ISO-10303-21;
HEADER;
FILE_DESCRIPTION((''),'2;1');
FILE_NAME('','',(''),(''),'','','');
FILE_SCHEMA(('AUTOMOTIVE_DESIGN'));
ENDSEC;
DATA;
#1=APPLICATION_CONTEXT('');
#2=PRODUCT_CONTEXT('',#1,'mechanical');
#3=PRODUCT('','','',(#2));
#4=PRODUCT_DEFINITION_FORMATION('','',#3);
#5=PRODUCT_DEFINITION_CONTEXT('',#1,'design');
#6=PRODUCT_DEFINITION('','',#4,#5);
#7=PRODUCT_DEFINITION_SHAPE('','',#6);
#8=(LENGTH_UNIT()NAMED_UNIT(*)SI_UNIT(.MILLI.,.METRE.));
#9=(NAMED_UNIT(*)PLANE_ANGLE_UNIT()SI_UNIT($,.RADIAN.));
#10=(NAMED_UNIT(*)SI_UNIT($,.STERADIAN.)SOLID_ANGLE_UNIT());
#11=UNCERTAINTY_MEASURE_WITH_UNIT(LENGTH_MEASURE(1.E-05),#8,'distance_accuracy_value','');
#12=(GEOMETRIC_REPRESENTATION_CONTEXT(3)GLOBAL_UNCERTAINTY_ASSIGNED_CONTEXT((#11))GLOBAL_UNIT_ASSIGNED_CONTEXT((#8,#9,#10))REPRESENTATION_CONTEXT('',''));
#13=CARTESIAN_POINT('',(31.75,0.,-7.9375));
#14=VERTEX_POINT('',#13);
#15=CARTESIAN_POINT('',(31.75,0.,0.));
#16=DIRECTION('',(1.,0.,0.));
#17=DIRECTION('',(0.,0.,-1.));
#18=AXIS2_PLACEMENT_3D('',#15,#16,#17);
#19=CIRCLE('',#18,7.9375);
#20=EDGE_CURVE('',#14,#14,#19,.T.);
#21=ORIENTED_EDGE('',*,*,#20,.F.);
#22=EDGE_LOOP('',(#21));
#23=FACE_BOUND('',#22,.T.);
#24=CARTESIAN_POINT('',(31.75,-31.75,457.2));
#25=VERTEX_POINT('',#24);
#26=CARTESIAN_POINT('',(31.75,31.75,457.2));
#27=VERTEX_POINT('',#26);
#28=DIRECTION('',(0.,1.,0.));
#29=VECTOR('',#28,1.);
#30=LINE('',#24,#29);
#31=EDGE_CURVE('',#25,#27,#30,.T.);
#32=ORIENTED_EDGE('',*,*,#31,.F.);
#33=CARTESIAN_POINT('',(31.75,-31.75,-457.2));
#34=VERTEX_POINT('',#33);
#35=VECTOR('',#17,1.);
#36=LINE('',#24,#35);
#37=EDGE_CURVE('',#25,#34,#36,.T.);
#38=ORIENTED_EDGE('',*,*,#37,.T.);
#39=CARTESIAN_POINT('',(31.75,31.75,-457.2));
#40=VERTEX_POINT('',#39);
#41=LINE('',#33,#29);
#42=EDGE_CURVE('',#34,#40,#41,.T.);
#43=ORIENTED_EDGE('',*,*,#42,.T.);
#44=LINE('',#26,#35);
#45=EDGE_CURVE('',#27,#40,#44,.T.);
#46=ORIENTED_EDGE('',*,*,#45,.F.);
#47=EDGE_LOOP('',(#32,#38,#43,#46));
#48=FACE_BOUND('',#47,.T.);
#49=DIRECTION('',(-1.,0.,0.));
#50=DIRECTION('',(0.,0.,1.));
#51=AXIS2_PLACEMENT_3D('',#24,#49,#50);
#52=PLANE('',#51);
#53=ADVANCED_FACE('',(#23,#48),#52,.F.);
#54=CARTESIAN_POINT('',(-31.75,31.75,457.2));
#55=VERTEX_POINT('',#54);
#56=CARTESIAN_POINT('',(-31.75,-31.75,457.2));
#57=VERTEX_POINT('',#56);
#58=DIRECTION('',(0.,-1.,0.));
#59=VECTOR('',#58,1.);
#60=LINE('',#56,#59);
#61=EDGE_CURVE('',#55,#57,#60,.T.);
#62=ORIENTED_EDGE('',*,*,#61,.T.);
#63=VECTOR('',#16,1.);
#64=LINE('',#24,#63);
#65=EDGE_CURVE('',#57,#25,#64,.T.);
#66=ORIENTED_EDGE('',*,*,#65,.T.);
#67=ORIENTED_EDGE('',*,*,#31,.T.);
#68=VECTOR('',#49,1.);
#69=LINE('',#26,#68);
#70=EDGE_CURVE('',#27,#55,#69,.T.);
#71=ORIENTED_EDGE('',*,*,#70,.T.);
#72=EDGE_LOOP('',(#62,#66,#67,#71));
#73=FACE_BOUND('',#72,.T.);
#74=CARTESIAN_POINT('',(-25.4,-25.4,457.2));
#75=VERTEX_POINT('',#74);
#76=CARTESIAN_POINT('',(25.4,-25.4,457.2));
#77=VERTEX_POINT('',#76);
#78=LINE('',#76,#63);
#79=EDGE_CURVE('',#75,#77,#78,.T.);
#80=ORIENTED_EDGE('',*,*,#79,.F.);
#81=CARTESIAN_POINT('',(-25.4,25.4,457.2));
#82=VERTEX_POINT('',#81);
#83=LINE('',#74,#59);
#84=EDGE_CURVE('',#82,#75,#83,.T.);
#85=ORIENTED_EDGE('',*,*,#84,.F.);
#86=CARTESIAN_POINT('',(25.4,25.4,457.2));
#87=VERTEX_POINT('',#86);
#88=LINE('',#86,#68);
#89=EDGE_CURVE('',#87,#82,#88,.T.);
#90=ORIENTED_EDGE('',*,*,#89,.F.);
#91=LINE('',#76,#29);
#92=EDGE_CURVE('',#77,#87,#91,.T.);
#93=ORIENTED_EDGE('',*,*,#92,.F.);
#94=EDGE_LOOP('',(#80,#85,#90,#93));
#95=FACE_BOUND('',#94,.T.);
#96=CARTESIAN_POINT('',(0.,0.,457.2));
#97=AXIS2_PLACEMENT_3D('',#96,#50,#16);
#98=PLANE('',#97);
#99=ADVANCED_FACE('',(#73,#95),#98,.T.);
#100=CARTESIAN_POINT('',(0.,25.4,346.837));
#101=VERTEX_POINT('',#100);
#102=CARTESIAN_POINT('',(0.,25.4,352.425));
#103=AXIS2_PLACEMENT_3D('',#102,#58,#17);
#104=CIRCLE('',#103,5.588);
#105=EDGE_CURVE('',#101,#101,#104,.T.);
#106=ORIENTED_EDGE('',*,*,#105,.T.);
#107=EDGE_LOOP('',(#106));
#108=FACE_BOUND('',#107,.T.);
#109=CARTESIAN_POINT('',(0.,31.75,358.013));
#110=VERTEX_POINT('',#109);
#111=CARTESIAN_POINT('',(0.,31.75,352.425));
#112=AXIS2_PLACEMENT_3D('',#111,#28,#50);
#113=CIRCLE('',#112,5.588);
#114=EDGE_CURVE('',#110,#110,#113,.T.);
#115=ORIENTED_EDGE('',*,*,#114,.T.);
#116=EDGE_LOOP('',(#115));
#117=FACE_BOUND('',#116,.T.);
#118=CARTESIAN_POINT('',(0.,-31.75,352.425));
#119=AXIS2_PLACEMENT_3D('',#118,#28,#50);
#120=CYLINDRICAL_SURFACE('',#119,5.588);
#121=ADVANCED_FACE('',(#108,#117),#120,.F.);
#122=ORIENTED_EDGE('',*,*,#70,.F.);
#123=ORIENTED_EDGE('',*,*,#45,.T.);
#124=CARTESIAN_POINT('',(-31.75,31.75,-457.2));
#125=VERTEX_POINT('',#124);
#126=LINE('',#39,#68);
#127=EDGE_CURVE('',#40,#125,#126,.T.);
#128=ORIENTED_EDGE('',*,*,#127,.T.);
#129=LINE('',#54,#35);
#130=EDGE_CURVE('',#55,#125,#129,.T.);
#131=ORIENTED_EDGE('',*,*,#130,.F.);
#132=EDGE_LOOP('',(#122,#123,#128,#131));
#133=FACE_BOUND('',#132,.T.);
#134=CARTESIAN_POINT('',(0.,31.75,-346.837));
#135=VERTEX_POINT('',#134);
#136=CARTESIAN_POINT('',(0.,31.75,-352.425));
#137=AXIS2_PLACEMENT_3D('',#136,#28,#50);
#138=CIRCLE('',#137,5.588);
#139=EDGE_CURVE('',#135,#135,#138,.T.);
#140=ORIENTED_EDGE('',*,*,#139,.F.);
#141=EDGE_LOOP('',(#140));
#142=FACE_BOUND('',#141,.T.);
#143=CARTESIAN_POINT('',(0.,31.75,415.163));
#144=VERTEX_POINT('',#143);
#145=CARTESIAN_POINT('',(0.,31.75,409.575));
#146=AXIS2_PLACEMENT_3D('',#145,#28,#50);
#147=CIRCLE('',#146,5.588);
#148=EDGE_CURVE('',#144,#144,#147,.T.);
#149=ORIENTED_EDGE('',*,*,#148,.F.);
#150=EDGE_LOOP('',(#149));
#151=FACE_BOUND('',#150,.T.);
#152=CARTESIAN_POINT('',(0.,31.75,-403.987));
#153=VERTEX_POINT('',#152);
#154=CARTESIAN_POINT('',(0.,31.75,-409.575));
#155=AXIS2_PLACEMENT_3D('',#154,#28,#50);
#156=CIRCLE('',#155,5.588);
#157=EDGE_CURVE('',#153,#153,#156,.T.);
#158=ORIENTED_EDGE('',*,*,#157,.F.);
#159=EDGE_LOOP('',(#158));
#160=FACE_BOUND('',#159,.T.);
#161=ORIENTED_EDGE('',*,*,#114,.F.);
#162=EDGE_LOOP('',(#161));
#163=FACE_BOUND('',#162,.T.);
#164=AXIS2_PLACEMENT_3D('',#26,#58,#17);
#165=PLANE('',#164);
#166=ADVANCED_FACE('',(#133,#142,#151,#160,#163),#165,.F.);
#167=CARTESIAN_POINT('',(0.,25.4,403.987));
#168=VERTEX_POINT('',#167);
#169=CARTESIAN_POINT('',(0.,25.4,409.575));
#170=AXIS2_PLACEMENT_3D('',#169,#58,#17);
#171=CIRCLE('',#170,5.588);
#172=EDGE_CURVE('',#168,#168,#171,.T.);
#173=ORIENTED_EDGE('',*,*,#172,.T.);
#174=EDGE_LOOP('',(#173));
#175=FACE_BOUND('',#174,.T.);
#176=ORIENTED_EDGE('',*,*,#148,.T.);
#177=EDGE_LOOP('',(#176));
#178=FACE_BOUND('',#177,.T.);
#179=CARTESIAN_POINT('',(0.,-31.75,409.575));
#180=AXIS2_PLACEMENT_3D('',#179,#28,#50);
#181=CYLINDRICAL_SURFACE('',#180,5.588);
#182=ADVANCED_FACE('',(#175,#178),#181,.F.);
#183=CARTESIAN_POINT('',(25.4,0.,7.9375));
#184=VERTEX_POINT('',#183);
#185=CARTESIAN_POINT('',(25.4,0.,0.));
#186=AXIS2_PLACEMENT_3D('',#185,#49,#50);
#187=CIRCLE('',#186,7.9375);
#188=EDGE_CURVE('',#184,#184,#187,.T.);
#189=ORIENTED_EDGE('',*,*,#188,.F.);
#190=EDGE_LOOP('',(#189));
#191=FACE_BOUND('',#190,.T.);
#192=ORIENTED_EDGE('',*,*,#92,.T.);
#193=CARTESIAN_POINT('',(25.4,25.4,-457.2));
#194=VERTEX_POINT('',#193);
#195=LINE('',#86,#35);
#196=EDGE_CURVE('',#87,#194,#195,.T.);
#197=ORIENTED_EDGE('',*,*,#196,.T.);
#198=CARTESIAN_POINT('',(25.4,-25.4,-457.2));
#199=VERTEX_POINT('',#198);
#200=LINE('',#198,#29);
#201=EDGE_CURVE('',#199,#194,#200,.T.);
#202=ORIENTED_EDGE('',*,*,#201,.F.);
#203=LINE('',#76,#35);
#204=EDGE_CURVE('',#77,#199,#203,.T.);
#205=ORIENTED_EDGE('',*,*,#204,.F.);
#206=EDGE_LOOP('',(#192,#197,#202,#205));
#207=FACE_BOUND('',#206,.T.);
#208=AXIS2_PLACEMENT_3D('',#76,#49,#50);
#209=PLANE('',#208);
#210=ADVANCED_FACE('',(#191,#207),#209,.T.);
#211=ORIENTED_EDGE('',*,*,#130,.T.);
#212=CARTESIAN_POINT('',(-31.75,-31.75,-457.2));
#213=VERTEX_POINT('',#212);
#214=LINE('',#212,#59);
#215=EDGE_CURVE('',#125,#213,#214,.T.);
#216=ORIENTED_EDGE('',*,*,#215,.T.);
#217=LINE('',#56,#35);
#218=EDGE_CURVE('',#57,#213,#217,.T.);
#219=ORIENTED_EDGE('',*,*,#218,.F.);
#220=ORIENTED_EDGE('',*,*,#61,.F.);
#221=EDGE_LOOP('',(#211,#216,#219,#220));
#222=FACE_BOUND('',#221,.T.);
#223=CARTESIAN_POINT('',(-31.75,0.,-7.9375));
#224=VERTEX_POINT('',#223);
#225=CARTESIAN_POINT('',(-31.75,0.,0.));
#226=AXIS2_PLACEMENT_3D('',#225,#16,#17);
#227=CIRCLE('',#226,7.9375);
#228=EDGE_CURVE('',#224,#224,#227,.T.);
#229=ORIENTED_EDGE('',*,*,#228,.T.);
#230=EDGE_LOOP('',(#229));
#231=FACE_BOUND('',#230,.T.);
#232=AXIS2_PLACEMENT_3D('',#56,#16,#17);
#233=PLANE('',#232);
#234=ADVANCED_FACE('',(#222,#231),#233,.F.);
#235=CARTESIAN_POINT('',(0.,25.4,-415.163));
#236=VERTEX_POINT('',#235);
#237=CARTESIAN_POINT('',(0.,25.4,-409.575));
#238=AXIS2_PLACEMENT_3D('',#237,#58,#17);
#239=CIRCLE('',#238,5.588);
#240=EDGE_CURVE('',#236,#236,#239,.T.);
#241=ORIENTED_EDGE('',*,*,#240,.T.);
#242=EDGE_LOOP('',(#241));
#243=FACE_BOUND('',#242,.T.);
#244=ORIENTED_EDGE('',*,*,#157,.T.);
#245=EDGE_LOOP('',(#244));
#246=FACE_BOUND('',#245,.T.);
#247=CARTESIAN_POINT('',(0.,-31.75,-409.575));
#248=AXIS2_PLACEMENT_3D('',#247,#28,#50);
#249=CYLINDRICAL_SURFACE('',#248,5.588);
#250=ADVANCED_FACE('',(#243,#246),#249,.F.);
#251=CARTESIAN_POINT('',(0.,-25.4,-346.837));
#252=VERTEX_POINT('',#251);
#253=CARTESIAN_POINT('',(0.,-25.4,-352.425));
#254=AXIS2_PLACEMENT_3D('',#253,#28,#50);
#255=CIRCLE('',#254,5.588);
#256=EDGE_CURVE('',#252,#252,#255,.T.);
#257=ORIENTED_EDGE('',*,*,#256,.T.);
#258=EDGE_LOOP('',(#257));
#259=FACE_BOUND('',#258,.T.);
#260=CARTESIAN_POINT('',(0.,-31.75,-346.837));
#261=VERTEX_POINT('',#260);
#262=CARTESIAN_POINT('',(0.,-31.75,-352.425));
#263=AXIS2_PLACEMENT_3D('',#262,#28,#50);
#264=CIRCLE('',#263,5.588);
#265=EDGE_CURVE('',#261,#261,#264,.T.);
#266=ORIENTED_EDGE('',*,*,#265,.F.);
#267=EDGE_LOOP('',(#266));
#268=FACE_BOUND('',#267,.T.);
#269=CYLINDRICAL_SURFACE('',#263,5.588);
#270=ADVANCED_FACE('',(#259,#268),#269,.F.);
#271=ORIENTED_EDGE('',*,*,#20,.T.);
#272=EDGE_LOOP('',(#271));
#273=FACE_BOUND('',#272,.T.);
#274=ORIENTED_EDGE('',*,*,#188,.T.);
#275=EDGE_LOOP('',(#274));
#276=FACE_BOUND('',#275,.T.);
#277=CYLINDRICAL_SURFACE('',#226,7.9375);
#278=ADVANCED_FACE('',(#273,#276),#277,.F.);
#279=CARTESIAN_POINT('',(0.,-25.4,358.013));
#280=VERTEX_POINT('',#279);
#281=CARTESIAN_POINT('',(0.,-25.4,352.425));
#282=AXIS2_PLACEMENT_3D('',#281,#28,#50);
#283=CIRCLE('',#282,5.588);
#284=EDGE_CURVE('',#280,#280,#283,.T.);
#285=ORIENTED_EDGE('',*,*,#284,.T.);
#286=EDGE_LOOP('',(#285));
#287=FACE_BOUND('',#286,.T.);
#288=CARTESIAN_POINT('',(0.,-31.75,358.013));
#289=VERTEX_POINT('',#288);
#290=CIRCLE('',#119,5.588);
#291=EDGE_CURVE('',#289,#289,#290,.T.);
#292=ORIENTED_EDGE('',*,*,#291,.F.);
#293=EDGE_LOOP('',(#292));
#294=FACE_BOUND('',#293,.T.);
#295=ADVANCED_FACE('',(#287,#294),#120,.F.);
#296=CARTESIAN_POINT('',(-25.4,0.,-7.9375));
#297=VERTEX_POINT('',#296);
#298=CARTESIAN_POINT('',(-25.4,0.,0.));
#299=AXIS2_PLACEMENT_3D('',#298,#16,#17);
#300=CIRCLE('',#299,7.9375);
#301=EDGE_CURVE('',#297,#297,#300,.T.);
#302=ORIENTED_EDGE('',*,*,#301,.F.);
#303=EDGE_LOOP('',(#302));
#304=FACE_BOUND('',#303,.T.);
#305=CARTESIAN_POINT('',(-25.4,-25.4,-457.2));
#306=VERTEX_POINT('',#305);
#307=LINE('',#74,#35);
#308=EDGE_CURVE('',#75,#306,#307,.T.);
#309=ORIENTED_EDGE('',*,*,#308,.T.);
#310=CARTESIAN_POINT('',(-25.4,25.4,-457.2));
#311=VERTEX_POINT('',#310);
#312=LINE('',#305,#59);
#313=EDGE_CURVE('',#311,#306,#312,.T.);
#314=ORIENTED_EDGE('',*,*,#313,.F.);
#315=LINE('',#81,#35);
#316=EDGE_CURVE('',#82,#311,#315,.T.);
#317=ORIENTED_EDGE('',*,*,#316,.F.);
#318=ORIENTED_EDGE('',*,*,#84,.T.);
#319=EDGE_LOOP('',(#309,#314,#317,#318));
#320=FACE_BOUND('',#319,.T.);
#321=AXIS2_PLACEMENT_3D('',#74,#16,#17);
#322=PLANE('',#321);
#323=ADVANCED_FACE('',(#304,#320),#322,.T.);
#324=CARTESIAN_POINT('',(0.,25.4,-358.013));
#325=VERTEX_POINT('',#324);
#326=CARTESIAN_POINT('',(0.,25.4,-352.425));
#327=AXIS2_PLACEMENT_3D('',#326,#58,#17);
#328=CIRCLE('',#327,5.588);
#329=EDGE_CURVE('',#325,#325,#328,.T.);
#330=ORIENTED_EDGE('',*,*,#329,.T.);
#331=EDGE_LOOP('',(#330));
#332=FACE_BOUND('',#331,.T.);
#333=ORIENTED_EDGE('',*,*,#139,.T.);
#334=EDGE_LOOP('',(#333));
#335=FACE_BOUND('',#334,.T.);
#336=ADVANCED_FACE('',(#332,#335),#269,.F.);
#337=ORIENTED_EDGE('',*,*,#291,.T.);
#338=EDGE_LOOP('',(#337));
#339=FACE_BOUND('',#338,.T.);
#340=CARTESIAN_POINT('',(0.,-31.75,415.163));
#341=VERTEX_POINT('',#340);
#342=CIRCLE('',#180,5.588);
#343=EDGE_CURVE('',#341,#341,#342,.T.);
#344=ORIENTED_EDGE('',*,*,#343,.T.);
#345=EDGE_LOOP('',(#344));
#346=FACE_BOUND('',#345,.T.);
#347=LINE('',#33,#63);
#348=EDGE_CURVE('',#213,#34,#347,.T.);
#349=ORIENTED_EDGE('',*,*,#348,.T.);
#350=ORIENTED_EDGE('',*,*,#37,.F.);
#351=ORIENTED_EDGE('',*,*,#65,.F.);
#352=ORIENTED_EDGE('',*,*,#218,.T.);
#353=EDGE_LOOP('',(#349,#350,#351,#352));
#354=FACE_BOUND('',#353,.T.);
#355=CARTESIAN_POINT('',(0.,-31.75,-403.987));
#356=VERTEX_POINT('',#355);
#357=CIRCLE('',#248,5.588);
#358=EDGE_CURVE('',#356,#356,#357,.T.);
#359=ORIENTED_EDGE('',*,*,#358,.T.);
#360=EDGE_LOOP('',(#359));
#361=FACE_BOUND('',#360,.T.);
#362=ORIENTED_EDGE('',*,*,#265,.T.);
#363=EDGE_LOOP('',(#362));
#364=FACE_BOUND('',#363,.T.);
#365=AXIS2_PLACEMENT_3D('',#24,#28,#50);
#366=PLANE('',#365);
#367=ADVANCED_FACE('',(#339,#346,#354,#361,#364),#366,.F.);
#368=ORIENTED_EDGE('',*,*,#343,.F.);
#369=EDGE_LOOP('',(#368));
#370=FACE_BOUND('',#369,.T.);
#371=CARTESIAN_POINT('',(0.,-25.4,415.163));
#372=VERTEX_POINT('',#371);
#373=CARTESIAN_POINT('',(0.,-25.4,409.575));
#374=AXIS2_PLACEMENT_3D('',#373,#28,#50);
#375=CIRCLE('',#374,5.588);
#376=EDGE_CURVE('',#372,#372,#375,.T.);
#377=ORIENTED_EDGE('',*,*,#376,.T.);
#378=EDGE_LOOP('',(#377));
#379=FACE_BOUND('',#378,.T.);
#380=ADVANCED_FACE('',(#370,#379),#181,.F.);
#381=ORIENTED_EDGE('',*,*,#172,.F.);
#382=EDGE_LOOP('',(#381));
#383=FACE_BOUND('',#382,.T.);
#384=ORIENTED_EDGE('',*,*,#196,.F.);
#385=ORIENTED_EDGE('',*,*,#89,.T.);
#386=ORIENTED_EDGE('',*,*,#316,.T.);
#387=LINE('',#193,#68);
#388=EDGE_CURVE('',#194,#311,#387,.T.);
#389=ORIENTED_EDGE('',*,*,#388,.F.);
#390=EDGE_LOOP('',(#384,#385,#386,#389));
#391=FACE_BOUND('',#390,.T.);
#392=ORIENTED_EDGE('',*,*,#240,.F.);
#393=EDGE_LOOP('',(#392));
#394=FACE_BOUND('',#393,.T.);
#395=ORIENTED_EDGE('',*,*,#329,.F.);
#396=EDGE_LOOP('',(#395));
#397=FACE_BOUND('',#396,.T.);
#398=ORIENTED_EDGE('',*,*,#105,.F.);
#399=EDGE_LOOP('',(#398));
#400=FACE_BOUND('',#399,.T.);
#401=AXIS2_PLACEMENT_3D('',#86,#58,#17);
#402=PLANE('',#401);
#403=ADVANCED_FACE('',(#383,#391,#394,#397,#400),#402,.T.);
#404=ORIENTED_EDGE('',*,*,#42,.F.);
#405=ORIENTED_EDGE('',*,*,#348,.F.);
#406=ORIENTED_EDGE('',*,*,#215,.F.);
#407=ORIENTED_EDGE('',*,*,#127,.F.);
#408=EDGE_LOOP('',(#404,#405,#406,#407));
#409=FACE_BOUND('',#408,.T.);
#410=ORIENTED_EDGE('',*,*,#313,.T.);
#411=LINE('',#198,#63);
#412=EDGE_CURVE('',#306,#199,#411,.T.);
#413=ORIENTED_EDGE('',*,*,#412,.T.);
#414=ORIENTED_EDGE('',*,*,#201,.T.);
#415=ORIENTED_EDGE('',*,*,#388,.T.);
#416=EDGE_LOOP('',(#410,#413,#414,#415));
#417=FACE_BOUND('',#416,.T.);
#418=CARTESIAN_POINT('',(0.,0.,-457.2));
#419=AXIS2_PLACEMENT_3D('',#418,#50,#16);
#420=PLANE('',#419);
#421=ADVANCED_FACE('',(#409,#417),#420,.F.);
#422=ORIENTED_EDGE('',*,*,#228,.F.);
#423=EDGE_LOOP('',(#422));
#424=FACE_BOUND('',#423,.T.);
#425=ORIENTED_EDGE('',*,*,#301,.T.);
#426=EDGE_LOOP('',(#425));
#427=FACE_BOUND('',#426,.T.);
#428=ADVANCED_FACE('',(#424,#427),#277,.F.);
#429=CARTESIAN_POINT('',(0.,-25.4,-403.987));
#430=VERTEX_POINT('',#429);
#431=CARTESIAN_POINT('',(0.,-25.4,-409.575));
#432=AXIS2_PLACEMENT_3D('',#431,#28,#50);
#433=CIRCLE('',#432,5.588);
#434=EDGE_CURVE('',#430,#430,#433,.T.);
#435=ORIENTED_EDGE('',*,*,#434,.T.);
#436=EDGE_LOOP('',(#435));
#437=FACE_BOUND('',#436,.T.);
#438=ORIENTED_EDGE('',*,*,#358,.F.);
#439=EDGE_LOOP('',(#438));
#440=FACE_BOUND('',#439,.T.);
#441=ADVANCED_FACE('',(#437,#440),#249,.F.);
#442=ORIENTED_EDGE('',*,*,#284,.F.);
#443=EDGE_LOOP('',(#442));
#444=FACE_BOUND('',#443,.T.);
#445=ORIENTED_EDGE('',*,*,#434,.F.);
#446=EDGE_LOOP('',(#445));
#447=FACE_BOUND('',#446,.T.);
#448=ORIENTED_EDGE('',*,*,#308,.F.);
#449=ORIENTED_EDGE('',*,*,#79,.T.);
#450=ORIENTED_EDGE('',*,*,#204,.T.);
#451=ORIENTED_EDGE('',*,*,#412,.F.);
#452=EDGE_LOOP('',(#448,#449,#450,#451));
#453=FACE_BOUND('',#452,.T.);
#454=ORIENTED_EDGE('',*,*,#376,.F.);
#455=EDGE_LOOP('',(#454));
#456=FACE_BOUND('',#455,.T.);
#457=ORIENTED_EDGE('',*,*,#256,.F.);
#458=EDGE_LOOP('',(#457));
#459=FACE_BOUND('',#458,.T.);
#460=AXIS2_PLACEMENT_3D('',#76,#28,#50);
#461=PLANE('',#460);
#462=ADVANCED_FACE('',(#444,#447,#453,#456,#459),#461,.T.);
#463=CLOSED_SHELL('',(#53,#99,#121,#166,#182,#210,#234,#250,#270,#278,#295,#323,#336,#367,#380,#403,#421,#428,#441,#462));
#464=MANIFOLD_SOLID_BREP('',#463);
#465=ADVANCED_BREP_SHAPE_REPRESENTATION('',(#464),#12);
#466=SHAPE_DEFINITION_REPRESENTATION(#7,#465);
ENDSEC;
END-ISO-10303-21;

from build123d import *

# Parameters (mm, degrees)
BOSS_EXTRUDE1_DEPTH      = 457.2
BOSS_EXTRUDE1_DEPTH_BACK = 457.2
SKETCH3_W                = 63.5
SKETCH3_H                = 63.5
SKETCH3_W_2              = 50.8
SKETCH3_H_2              = 50.8
SKETCH6_R                = 5.588
CUT_EXTRUDE1_DEPTH       = 463.679319291
SKETCH7_R                = 7.9375
CUT_EXTRUDE2_DEPTH       = 463.679319291


with BuildPart() as part:
    # Sketch3 → Boss-Extrude1 (new, two sides: drawn at the far end of the back side and taken through both)
    with BuildSketch(Plane.XY.offset(-BOSS_EXTRUDE1_DEPTH_BACK)):
        Rectangle(SKETCH3_W, SKETCH3_H)
        Rectangle(SKETCH3_W_2, SKETCH3_H_2, mode=Mode.SUBTRACT)
    extrude(amount=BOSS_EXTRUDE1_DEPTH + BOSS_EXTRUDE1_DEPTH_BACK)

    # Sketch6 → Cut-Extrude1 (cut, through all)
    with BuildSketch(Plane(origin=(0, 31.75, 0), x_dir=(1, 0, 0), z_dir=(0, 1, 0))):
        with Locations(Location((0, 409.575, 0), (0, 0, 270))):
            Circle(SKETCH6_R)
        with Locations(Location((0, -409.575, 0), (0, 0, 270))):
            Circle(SKETCH6_R)
        with Locations(Location((0, -352.425, 0), (0, 0, 270))):
            Circle(SKETCH6_R)
        with Locations(Location((0, 352.425, 0), (0, 0, 270))):
            Circle(SKETCH6_R)
    extrude(amount=-CUT_EXTRUDE1_DEPTH, mode=Mode.SUBTRACT)

    # Sketch7 → Cut-Extrude2 (cut, through all)
    with BuildSketch(Plane(origin=(31.75, 0, 0), x_dir=(0, 0, -1), z_dir=(1, 0, 0))):
        Circle(SKETCH7_R)
    extrude(amount=-CUT_EXTRUDE2_DEPTH, mode=Mode.SUBTRACT)


solid = part.part
